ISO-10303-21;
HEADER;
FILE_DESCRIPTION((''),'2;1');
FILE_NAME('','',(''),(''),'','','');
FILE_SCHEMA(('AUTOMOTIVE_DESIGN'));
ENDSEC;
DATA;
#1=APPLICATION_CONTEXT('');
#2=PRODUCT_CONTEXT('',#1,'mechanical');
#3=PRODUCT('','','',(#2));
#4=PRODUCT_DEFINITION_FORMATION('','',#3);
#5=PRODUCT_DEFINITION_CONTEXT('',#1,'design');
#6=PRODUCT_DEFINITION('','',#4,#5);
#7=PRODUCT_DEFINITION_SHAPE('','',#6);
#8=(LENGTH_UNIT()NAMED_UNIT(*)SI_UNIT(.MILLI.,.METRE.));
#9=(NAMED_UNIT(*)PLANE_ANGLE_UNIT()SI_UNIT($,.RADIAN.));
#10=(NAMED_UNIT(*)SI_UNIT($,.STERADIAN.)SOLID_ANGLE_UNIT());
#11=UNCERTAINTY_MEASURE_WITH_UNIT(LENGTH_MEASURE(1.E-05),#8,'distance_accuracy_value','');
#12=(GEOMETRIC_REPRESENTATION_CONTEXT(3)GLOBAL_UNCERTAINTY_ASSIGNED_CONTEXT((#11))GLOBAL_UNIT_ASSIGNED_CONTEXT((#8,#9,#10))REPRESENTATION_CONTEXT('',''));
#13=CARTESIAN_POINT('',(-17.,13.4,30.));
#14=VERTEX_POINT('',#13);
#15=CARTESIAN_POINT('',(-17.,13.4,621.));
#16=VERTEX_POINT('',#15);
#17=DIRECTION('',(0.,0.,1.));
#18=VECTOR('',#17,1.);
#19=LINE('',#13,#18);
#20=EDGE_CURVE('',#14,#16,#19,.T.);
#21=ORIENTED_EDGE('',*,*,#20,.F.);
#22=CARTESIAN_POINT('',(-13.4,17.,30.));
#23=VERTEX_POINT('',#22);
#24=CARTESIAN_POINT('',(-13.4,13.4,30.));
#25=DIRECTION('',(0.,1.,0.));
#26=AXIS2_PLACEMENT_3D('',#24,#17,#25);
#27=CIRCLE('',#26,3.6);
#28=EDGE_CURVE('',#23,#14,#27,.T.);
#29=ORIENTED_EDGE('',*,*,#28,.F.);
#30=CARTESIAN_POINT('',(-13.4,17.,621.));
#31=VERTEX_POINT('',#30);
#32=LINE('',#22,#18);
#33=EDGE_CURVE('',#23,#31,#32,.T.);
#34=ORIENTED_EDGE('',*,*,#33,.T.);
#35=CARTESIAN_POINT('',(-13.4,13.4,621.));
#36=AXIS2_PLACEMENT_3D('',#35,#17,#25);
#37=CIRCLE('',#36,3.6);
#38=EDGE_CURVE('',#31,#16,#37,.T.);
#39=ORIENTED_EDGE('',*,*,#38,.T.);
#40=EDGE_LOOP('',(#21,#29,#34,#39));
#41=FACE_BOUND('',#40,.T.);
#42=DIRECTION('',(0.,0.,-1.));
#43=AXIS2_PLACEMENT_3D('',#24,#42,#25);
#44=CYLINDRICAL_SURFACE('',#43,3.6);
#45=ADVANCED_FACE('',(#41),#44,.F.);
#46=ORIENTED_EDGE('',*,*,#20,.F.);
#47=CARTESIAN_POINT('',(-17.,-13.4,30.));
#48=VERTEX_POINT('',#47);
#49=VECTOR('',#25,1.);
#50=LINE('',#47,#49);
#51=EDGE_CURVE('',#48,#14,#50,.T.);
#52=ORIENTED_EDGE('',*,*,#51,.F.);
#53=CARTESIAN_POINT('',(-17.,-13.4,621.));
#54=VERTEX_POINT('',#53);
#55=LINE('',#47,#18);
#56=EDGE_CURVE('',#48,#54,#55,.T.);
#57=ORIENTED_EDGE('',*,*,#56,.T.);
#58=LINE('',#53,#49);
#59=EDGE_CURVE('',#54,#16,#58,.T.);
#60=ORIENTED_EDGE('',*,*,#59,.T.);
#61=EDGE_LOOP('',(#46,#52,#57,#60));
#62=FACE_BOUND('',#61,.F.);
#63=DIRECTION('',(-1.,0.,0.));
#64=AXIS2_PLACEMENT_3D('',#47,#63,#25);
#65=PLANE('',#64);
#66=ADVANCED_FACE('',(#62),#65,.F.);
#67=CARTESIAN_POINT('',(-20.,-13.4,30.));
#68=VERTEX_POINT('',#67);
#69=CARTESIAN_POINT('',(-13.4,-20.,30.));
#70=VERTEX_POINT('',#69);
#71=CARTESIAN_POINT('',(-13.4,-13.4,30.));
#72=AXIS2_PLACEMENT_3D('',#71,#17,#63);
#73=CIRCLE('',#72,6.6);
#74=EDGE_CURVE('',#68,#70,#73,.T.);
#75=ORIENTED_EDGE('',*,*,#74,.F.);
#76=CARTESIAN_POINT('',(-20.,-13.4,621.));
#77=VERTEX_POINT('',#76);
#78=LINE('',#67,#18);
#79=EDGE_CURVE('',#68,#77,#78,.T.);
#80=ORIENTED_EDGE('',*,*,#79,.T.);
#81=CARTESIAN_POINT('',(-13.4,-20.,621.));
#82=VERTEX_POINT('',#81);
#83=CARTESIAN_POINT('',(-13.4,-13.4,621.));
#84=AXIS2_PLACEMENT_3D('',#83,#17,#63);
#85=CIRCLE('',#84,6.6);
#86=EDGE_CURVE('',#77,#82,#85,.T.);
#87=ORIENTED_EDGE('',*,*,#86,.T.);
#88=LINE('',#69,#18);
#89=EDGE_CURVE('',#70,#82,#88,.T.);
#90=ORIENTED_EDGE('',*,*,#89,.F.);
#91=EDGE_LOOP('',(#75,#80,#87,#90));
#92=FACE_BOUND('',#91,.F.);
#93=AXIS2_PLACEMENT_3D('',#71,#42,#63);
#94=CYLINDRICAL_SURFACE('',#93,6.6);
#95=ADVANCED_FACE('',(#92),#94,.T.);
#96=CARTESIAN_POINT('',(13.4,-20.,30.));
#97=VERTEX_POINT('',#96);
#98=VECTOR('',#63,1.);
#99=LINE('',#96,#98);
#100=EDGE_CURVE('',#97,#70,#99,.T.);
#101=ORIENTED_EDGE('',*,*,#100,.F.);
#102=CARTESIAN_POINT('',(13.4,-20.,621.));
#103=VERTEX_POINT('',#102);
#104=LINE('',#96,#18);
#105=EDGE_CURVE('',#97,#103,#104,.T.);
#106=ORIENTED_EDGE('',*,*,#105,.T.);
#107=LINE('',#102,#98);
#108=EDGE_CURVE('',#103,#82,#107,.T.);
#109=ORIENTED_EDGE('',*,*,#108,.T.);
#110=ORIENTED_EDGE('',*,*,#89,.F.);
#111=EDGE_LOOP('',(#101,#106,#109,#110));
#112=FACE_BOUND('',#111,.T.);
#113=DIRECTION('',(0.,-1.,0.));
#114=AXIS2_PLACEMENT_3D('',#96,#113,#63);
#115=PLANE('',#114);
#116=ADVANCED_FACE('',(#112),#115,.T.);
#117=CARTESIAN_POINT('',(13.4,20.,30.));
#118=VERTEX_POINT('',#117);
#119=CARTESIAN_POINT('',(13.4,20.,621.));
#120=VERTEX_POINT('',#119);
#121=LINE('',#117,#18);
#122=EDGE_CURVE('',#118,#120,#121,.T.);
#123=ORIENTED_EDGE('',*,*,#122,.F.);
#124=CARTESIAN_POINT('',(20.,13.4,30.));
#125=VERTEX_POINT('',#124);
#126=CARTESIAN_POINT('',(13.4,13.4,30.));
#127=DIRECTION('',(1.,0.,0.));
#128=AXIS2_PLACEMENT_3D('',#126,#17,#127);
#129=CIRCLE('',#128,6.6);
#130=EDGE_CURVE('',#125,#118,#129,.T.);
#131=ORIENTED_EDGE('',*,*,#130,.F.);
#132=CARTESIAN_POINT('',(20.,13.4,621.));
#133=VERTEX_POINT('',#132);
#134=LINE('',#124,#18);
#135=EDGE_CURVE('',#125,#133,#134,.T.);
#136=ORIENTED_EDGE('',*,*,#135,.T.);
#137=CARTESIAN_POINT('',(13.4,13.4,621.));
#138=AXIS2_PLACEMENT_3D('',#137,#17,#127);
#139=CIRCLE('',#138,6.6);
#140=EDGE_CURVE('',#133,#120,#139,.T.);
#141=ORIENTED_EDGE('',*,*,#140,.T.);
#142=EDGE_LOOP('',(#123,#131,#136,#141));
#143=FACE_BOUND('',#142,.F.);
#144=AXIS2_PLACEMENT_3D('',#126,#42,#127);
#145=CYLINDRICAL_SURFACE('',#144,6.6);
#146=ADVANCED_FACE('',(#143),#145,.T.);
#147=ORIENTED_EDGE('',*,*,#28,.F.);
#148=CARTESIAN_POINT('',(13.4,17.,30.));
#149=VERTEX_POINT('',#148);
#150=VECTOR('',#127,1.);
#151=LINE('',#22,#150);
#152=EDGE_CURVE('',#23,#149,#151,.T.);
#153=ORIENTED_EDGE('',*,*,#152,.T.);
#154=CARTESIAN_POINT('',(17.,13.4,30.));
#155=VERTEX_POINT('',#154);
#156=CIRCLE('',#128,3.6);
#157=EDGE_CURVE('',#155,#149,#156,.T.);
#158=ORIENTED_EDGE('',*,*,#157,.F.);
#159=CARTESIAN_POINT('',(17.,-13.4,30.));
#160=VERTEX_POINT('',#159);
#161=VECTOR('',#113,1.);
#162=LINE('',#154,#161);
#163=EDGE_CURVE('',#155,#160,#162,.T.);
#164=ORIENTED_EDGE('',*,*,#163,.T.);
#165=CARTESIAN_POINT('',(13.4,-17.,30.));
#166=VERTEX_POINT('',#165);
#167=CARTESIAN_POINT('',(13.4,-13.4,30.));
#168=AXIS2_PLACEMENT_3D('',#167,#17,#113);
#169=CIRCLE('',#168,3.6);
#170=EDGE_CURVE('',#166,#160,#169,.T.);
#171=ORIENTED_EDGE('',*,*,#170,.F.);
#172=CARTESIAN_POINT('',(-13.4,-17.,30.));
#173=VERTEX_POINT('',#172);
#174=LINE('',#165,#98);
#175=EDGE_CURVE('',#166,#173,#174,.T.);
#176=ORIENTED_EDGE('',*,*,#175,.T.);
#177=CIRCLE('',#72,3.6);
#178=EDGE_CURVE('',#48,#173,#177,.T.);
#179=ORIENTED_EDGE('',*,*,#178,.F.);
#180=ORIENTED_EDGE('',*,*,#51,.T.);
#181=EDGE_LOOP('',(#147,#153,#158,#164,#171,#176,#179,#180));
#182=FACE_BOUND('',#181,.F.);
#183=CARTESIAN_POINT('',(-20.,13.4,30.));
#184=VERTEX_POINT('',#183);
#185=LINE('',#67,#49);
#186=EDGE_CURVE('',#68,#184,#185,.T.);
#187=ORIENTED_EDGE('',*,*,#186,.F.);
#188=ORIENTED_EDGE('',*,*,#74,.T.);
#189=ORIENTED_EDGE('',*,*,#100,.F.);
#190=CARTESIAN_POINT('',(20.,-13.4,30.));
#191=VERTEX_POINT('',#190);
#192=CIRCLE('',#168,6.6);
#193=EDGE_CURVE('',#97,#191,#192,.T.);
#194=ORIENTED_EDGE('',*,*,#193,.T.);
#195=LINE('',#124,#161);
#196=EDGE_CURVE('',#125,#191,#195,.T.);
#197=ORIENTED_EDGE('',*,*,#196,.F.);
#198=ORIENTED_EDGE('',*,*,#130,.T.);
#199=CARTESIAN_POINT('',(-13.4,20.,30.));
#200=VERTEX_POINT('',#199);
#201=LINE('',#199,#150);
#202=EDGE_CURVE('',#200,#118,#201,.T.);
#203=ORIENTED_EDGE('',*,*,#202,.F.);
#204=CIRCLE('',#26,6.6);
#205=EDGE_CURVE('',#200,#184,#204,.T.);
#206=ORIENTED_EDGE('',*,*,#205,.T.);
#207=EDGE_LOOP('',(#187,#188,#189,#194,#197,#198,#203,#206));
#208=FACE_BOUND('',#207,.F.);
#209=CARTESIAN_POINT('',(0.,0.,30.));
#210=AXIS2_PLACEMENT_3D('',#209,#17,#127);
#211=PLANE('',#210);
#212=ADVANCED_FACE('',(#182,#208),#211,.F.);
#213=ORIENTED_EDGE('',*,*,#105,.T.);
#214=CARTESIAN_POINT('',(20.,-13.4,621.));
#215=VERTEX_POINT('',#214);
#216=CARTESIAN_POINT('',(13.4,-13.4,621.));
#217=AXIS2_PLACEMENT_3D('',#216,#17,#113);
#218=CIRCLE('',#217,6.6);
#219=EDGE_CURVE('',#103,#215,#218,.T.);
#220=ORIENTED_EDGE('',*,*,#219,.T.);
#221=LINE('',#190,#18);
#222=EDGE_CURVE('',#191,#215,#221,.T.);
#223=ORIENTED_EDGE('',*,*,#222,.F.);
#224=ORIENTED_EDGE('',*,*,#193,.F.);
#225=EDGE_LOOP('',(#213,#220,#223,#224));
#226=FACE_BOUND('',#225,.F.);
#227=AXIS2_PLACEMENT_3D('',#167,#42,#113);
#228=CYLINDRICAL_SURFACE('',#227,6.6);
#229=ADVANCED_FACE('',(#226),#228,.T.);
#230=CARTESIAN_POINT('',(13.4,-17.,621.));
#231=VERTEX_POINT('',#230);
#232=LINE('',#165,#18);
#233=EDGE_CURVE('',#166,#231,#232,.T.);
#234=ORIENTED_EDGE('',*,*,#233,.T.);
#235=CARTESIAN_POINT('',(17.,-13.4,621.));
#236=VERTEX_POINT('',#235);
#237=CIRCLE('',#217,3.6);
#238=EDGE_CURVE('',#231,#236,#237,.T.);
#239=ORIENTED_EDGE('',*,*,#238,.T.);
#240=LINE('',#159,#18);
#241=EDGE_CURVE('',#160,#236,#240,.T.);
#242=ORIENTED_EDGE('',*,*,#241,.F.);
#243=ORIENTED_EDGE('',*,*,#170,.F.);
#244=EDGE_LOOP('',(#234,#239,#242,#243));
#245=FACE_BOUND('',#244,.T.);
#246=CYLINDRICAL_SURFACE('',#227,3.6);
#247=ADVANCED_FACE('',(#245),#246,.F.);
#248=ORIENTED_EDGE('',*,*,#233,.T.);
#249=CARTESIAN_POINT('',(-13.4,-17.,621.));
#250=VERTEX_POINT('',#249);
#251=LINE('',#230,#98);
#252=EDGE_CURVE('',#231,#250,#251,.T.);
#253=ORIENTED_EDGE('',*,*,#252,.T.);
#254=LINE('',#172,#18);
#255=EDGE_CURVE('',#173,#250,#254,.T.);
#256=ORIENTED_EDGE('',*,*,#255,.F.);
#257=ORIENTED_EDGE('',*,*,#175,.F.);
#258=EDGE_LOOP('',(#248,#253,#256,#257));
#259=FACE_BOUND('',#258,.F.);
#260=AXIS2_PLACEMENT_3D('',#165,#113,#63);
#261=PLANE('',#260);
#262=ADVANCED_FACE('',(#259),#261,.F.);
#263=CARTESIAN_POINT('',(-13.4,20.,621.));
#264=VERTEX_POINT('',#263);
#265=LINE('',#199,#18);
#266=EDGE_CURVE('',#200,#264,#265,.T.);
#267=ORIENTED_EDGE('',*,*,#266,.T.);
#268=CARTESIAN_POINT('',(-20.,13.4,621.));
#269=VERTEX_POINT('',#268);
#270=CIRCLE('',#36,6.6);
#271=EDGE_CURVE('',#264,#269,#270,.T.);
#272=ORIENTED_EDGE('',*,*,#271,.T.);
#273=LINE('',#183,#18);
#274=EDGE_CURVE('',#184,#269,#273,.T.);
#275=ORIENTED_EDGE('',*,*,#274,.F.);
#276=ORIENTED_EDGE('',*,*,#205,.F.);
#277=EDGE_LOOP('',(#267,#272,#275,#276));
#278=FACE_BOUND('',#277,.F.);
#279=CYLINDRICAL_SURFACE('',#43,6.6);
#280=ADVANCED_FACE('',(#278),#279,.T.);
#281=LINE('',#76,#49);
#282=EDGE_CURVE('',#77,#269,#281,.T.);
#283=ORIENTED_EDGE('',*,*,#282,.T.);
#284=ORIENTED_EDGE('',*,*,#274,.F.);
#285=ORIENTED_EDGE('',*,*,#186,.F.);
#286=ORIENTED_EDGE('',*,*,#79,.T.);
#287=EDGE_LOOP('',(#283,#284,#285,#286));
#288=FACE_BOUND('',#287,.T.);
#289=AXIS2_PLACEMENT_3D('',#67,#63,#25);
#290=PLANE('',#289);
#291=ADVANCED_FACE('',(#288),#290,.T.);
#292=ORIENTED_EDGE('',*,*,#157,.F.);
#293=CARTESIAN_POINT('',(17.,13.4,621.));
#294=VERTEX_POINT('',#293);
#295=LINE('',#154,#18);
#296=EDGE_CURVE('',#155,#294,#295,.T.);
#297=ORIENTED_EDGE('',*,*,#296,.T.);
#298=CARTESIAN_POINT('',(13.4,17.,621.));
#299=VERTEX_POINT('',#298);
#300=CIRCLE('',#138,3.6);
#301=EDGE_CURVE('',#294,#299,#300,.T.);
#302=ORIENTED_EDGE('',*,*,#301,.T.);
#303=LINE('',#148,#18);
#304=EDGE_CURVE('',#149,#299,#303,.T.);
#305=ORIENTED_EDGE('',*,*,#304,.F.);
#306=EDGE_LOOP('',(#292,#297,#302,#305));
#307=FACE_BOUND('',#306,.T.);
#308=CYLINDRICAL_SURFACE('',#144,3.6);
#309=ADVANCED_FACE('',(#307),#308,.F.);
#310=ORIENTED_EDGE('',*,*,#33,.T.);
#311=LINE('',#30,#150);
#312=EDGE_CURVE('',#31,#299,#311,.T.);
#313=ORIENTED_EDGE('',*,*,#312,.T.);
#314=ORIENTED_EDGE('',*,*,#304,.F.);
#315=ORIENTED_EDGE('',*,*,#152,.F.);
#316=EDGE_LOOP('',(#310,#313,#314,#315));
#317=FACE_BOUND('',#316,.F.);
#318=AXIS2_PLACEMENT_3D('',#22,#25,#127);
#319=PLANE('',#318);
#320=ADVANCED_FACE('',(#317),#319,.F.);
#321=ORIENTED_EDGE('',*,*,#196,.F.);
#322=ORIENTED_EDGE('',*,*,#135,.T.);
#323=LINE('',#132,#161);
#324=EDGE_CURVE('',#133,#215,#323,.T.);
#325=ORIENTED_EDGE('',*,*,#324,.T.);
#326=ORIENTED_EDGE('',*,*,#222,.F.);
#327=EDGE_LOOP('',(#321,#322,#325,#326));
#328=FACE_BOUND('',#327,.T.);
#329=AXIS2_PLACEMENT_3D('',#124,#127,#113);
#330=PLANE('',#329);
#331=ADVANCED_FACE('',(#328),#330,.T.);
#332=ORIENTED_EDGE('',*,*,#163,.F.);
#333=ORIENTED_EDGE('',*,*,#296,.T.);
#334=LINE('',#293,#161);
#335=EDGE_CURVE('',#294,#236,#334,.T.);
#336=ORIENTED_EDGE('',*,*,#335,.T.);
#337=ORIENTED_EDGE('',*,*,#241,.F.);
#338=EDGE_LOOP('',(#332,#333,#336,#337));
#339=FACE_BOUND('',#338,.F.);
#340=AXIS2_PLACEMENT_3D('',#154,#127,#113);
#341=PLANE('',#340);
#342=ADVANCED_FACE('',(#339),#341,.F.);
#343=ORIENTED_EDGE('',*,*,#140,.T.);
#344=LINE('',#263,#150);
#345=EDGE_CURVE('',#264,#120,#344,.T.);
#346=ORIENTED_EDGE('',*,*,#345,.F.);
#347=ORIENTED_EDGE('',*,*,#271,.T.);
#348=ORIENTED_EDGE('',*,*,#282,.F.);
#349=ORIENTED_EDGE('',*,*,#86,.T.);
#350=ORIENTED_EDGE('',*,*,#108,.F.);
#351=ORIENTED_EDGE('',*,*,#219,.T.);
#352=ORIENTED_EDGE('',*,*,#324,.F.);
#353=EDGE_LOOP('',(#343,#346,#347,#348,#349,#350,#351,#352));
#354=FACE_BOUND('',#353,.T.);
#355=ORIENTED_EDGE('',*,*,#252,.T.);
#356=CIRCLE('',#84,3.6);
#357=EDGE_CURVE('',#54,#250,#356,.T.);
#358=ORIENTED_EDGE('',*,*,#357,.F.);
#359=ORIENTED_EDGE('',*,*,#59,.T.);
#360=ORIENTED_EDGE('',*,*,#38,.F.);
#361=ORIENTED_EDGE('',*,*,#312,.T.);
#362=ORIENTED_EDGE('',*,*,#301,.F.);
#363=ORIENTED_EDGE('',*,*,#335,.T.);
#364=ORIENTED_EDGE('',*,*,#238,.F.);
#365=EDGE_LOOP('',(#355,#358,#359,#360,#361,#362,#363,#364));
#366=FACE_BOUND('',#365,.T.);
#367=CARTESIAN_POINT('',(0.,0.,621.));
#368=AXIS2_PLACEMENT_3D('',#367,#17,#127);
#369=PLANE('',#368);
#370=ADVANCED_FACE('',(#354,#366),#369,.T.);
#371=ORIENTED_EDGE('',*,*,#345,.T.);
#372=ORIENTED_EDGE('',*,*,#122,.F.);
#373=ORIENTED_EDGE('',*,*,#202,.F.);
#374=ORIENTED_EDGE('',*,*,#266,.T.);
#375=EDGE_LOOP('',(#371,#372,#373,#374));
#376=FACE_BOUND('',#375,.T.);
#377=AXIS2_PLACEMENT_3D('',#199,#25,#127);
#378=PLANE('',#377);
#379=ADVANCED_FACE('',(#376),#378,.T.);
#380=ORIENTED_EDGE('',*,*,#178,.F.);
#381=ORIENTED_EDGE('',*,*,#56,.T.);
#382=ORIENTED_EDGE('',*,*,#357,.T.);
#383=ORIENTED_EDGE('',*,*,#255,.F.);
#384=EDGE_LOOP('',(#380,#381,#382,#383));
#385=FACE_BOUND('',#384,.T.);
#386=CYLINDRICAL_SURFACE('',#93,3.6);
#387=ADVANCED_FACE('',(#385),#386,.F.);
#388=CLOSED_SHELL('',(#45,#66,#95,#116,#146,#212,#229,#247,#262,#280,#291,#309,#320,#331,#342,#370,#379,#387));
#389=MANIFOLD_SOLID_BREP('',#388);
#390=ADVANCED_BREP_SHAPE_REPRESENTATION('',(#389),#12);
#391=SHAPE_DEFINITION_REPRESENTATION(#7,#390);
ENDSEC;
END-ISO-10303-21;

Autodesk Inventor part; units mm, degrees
ref_plane "Start plane" through (0, 0, 30) normal (0, 0, 1) x (1, 0, 0)
ref_plane "End plane" through (0, 0, 621) normal (0, 0, 1) x (1, 0, 0)
sketch "Sketch" plane through (0, 0, 0) normal (0, 0, 1) x (1, 0, 0)
  line L0 (-20, -13.4) -> (-20, 13.4)
  line L1 (-13.4, 20) -> (13.4, 20)
  line L2 (20, 13.4) -> (20, -13.4)
  line L3 (13.4, -20) -> (-13.4, -20)
  arc A0 (-20, -13.4) -> (-13.4, -20) centre (-13.4, -13.4) ccw
  arc A1 (-13.4, 20) -> (-20, 13.4) centre (-13.4, 13.4) ccw
  arc A2 (20, 13.4) -> (13.4, 20) centre (13.4, 13.4) ccw
  arc A3 (13.4, -20) -> (20, -13.4) centre (13.4, -13.4) ccw
  arc A4 (-13.4, 17) -> (-17, 13.4) centre (-13.4, 13.4) ccw
  line L4 (-13.4, 17) -> (13.4, 17)
  arc A5 (17, 13.4) -> (13.4, 17) centre (13.4, 13.4) ccw
  line L5 (17, 13.4) -> (17, -13.4)
  arc A6 (13.4, -17) -> (17, -13.4) centre (13.4, -13.4) ccw
  line L6 (13.4, -17) -> (-13.4, -17)
  arc A7 (-17, -13.4) -> (-13.4, -17) centre (-13.4, -13.4) ccw
  line L7 (-17, -13.4) -> (-17, 13.4)
  line L8 (0, 22.0873) -> (0, -22.0873) construction
  line L9 (-22.0873, 0) -> (22.0873, 0) construction
  dimension "d7" = 6.6
  dimension "d10" = 40
  dimension "d11" = 40
  dimension "d12" = 3
  dimension "d15" = 20
  dimension "d16" = 20
extrude "Body" add sketch "Sketch" along normal up to surface (591 mm away) from surface at 30
sketch "Sketch3" plane through (0, 0, 0) normal (0, 0, 1) x (1, 0, 0)
  line L0 (0, 0) -> (10, 0)
ref_plane "Work Plane3" through (0, 0, 0) normal (0, -1, 0) x (1, 0, 0)
sketch "Sketch4" plane through (0, 0, 0) normal (0, -1, 0) x (1, 0, 0)
  line L0 (-2, 30) -> (12, 30)
  line L1 (-2, 621) -> (12, 621)
  dimension "d18" = 591
ref_plane "Work Plane5" through (29.2, 615, 621) normal (0, 0, 1) x (1, 0, 0)
split "Split2" plane through (29.2, 615, 621) removes the side toward (0, 0, 1)
ref_plane "Work Plane6" through (29.2, -235, 30) normal (0, 0, -1) x (-1, 0, 0)
split "Split3" plane through (29.2, -235, 30) removes the side toward (0, 0, -1)
equation "\"d7\" = G_IR"
equation "\"d10\" = G_H"
equation "\"d11\" = G_W"
equation "\"d12\" = G_T"
equation "\"d15\" = 0.5 * d10"
equation "\"d16\" = 0.5 * d11"
equation "\"d3\" = G_L"
equation "\"G_W\" = 40"
equation "\"G_H\" = 40"
equation "\"G_T\" = 3"
equation "\"G_IR\" = 6.6"
equation "\"G_L\" = d18"
equation "\"d14\" = G_OFFSET_END + B_L"
equation "\"B_L\" = 651"
equation "\"G_OFFSET_END\" = -30"
properties part number "DIN EN 10305-5 - 40 x 40 x 3  - 591" material "Steel, Mild"
